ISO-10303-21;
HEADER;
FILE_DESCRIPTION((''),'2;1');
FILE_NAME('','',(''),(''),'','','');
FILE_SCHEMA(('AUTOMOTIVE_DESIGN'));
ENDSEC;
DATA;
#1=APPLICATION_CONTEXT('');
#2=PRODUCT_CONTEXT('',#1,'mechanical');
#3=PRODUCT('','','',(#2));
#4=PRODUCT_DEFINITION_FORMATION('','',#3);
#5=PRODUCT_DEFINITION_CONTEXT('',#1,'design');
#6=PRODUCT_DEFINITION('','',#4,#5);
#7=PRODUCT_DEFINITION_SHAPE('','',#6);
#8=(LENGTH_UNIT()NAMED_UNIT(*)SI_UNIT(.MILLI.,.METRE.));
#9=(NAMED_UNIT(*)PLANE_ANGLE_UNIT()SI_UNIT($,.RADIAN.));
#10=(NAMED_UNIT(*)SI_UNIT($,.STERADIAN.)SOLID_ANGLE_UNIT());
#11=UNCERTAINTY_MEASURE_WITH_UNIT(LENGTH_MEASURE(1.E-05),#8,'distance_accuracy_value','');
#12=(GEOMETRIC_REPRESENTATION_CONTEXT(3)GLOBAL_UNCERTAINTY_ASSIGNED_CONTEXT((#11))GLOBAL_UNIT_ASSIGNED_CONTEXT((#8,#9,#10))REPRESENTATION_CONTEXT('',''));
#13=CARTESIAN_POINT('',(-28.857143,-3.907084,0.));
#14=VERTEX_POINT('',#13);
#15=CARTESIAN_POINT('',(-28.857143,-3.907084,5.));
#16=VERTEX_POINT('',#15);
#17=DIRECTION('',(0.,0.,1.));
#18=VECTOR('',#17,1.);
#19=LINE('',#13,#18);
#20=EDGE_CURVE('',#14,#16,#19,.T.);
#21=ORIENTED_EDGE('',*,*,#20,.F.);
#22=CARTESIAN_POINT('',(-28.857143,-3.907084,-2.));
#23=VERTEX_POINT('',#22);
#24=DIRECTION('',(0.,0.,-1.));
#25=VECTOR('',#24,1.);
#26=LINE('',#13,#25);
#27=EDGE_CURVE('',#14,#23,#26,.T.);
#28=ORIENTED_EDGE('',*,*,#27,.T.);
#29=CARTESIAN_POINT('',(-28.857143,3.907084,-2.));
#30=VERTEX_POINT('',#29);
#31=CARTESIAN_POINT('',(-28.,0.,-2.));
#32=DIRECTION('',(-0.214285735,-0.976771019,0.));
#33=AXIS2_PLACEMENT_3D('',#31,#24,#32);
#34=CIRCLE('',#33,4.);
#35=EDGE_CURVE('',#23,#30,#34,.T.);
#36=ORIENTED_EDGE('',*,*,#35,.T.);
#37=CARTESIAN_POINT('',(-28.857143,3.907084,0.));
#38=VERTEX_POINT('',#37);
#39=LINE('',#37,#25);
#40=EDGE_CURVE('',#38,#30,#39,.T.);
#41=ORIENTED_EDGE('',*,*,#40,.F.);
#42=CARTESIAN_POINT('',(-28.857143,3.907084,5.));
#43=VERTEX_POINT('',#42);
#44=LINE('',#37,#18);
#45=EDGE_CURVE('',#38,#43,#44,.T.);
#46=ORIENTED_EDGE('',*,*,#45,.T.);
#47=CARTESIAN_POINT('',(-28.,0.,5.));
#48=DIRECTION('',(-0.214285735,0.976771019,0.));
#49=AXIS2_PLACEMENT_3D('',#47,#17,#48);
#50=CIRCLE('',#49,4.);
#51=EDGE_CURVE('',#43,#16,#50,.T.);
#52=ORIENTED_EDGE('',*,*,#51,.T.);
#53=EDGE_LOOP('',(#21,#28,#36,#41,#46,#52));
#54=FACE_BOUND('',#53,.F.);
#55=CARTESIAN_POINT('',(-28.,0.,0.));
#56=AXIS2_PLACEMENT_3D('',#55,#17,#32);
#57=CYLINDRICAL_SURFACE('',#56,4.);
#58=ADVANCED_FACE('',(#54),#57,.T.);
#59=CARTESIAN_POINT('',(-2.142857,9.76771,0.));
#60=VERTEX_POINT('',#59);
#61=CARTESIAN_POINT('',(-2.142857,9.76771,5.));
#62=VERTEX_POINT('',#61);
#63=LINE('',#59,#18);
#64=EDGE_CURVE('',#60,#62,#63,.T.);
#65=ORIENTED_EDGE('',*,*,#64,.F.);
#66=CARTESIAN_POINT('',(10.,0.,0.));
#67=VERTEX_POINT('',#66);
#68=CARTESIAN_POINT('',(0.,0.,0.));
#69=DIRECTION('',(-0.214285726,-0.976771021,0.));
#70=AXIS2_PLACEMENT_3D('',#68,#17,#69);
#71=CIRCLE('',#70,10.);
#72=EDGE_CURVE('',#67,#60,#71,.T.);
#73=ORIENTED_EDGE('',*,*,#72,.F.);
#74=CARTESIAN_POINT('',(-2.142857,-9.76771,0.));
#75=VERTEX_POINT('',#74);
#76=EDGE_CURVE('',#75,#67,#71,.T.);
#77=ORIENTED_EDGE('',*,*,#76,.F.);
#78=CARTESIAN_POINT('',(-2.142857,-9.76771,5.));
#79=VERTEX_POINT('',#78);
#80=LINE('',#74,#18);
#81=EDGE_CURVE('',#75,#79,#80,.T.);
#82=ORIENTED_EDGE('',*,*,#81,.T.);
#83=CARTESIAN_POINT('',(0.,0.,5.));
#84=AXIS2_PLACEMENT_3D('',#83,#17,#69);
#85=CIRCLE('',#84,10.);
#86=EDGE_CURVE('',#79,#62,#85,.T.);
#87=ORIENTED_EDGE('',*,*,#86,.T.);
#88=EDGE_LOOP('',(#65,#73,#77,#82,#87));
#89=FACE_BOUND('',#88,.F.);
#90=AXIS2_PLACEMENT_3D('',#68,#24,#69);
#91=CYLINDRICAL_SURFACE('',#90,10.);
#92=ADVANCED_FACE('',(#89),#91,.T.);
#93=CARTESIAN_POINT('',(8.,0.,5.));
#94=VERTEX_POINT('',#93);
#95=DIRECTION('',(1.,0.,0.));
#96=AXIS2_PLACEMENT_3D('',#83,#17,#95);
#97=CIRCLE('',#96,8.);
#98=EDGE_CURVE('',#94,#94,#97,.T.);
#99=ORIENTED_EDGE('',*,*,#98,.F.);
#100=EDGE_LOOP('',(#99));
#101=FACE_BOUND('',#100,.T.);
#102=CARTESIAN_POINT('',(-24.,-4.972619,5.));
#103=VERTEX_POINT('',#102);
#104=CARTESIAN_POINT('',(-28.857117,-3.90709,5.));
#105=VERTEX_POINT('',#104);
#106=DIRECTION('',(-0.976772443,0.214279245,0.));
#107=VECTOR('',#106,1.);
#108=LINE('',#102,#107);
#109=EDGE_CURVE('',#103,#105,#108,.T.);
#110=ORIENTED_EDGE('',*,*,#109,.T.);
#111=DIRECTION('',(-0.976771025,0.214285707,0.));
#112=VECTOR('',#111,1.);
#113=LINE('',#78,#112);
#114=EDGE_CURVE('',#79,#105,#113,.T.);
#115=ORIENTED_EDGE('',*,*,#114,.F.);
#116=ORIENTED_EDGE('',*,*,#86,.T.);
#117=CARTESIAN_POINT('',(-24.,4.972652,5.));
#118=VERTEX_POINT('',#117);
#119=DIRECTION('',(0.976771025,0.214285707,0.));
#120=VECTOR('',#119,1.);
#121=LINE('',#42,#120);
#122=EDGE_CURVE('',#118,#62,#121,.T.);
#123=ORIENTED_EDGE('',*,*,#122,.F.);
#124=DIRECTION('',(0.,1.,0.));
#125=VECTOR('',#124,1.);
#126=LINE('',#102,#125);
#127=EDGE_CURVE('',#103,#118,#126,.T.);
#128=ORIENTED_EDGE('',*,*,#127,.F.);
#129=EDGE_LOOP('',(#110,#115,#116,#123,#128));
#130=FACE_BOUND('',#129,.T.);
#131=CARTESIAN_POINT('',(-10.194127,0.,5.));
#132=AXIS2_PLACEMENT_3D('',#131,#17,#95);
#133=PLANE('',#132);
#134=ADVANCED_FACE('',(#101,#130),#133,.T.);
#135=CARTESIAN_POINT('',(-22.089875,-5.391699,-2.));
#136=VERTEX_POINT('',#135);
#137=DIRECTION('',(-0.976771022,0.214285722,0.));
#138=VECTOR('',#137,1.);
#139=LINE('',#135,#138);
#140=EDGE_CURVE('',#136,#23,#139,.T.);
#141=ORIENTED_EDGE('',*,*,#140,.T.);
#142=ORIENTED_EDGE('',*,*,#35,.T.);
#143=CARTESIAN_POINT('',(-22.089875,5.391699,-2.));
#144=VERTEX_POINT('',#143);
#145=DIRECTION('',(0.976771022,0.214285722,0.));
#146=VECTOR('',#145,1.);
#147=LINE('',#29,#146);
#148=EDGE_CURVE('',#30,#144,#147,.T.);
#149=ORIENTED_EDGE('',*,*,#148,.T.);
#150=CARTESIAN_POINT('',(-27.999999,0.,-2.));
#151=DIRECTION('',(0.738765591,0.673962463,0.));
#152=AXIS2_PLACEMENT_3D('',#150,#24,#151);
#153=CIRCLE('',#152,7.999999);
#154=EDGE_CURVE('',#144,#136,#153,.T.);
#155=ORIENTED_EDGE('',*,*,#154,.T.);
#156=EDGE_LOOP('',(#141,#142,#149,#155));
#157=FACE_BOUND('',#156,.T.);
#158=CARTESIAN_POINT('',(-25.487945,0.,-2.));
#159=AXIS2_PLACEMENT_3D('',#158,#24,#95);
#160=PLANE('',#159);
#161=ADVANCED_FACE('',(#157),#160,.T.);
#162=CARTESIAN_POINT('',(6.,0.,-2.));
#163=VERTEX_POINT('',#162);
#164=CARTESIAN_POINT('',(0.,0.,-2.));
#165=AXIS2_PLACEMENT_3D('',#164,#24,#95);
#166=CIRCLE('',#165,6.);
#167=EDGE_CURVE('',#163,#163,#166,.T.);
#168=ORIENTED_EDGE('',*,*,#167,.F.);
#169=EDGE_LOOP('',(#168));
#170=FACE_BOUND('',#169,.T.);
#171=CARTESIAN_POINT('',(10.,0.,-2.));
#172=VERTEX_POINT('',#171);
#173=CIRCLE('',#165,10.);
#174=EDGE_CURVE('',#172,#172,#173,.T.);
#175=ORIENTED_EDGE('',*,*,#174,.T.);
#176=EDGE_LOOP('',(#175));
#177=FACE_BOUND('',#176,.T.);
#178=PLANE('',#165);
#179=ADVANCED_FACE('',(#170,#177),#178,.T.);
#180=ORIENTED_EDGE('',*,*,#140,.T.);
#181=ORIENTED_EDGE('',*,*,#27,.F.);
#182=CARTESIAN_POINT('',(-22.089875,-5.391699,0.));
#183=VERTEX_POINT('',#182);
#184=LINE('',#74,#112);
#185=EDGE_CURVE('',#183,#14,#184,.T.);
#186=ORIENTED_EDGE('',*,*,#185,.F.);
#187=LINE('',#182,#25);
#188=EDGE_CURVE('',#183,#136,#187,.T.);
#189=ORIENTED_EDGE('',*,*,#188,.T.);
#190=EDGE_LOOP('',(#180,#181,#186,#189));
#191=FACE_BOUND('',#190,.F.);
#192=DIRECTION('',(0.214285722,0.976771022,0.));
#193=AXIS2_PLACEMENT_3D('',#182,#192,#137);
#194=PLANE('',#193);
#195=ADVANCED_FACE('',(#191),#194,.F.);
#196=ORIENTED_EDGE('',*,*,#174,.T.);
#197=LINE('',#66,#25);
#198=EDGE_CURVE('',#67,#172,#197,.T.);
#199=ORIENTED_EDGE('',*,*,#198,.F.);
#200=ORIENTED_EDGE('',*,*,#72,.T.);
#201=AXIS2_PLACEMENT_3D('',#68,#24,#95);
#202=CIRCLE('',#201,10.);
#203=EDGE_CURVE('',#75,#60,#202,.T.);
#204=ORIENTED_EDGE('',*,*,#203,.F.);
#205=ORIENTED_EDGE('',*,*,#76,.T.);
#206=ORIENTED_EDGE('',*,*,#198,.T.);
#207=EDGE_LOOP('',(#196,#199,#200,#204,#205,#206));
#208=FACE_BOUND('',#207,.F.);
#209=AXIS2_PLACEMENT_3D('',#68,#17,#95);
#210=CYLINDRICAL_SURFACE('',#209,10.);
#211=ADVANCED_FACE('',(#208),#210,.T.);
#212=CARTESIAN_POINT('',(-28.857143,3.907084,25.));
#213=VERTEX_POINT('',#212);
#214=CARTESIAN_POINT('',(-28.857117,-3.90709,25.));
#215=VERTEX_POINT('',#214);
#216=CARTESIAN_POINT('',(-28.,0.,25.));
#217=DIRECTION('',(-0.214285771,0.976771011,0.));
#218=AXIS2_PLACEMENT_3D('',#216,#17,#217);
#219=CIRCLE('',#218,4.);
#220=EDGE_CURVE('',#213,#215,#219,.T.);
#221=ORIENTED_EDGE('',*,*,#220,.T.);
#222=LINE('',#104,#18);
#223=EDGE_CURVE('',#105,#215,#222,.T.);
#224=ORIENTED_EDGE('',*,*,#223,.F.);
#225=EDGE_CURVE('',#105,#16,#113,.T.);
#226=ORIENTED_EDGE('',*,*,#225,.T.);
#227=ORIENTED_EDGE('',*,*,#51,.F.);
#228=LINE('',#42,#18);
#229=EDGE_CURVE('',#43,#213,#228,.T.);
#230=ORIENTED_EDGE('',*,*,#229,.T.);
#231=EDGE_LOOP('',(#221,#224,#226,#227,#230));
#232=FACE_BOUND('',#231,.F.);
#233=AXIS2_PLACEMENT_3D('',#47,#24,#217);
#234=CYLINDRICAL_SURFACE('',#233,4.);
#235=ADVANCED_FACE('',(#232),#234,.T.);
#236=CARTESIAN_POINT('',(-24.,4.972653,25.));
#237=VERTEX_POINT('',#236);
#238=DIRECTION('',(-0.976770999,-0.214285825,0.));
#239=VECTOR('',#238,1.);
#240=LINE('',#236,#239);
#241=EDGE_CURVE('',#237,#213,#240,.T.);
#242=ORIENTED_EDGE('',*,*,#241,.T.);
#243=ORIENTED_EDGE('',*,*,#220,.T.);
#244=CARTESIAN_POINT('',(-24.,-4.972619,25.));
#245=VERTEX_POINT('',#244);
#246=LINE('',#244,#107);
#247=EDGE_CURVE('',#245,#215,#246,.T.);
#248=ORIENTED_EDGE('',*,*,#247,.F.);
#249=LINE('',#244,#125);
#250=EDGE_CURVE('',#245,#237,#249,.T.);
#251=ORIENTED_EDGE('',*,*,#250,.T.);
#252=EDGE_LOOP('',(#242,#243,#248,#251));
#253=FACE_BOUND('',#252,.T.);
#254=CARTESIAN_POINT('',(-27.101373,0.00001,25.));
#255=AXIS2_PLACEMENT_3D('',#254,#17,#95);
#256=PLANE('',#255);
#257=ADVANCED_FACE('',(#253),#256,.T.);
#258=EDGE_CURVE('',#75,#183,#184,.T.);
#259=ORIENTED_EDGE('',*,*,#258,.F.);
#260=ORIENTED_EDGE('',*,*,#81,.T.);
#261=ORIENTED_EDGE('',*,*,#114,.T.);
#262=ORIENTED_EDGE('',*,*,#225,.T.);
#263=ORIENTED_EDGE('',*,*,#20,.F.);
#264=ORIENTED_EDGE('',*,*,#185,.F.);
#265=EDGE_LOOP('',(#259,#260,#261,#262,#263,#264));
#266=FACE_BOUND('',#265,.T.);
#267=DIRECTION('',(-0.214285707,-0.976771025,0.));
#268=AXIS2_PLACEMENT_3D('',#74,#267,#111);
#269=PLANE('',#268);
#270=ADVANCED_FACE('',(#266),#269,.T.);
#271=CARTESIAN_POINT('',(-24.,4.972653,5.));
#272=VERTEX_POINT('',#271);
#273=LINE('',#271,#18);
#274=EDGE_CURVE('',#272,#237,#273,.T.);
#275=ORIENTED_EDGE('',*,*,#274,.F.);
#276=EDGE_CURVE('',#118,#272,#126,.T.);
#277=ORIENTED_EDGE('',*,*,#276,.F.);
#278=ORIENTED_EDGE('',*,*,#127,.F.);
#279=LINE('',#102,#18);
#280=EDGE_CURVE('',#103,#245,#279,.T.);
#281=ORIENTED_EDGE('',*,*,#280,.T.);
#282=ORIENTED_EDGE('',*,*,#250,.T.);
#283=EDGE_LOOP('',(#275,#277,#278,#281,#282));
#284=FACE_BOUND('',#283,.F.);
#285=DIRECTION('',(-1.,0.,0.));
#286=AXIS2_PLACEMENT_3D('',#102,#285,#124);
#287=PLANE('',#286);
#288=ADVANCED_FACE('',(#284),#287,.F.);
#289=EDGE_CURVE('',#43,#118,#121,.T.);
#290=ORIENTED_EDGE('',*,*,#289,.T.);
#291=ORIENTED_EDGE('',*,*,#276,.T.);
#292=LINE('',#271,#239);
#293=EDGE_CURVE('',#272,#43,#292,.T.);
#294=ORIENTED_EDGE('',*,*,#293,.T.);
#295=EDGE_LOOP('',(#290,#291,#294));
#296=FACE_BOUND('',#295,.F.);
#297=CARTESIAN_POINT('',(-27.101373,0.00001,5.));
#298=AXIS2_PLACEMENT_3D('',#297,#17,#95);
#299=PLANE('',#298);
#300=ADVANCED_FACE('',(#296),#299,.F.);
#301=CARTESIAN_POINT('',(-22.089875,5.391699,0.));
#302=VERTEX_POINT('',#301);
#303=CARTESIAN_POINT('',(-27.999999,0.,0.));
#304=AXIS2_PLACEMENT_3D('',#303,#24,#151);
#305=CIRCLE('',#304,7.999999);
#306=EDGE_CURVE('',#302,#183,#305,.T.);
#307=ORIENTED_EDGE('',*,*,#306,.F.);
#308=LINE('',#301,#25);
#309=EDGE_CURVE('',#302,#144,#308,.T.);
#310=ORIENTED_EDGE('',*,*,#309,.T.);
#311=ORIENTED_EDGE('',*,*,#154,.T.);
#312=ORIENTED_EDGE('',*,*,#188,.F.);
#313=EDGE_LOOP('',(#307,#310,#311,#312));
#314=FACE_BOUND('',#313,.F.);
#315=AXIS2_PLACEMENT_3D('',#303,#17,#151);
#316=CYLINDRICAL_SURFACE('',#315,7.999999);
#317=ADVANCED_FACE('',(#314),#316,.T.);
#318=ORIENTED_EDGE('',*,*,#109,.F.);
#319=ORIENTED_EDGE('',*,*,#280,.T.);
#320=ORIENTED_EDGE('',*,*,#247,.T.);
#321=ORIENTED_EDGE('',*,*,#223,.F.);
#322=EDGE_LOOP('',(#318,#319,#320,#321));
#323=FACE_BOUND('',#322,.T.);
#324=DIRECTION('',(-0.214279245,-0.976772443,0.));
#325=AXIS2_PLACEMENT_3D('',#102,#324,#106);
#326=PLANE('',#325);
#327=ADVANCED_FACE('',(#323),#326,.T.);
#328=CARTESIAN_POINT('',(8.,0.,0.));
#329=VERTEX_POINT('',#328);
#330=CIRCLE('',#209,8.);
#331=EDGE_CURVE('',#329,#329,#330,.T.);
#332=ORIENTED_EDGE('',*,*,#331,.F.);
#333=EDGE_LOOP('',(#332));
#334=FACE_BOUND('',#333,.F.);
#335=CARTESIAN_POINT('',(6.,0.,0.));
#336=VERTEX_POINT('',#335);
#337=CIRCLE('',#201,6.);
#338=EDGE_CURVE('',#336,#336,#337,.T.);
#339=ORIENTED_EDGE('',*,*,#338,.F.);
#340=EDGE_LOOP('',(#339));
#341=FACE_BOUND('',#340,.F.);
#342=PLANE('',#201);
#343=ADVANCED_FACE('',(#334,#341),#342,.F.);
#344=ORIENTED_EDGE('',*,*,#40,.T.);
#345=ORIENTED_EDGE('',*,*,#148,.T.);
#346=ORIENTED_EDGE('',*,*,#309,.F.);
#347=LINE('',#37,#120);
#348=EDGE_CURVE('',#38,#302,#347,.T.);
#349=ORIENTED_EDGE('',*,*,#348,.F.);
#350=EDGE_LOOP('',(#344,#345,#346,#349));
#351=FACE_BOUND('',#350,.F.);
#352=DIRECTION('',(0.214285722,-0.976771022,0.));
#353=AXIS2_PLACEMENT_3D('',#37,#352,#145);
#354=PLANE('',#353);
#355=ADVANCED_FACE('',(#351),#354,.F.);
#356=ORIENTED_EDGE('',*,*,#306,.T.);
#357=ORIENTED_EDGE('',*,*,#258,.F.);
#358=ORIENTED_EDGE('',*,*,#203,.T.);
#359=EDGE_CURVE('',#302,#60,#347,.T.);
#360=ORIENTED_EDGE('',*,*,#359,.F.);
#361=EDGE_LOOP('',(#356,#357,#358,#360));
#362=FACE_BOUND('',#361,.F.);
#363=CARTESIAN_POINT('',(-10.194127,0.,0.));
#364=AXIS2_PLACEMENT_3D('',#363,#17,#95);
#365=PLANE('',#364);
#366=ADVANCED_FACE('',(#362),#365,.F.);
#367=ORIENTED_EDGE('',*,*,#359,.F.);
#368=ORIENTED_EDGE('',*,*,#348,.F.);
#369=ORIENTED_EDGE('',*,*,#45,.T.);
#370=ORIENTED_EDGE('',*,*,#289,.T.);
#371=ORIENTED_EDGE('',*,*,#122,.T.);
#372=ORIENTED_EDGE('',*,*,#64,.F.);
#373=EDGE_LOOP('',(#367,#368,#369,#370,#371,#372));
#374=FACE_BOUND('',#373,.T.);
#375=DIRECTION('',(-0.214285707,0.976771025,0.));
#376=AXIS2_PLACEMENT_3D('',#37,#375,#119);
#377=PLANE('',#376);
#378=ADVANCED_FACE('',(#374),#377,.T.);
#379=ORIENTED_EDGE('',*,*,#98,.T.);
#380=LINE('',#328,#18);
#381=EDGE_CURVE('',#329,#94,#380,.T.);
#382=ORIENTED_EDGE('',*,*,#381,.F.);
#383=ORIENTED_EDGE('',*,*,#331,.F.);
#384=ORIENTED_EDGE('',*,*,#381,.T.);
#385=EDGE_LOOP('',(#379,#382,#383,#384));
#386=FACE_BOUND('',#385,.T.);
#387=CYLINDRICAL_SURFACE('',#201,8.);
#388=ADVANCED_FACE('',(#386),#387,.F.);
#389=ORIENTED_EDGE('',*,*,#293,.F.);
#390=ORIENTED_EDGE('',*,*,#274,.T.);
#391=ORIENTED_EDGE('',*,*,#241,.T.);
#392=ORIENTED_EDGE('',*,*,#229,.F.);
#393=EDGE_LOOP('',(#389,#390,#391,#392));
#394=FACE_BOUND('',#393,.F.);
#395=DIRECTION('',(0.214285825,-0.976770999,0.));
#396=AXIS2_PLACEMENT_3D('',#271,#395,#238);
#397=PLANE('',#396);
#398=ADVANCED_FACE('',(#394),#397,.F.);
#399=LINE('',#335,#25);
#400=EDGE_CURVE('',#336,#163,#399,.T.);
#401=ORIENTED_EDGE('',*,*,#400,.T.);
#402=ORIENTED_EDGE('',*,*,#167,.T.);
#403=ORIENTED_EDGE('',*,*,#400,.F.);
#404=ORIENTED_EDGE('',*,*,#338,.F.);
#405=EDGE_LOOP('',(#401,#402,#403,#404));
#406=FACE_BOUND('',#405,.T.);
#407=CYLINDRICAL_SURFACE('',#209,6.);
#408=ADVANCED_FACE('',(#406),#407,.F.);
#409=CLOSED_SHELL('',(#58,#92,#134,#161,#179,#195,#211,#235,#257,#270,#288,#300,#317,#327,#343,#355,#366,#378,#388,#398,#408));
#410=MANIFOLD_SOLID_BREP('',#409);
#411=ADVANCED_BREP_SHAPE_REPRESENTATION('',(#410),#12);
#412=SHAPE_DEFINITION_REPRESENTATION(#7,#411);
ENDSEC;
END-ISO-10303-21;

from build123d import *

# Parameters (mm, degrees)
SKETCH_R      = 8
PAD_DEPTH     = 5
PAD001_DEPTH  = 20
SKETCH002_R   = 10
SKETCH002_R_2 = 6
PAD002_DEPTH  = 2
PAD003_DEPTH  = 2


with BuildPart() as part:
    # Sketch → Pad (new body)
    with BuildSketch(Plane.XY):
        with BuildLine():
            ThreePointArc((-2.142857, -9.76771), (10, 0), (-2.142857, 9.76771))
            Line((-28.857143, 3.907084), (-2.142857, 9.76771))
            ThreePointArc((-28.857143, 3.907084), (-32, 0), (-28.857143, -3.907084))
            Line((-2.142857, -9.76771), (-28.857143, -3.907084))
        make_face()
        Circle(SKETCH_R, mode=Mode.SUBTRACT)
    extrude(amount=PAD_DEPTH)

    # Sketch001 (on Face7 of Pad) → Pad001 (join)
    with BuildSketch(Plane.XY.offset(5)):
        with BuildLine():
            ThreePointArc((-28.857143, 3.907084), (-32, -1.3e-05), (-28.857117, -3.90709))
            Line((-24, -4.972619), (-28.857117, -3.90709))
            Line((-24, -4.972619), (-24, 4.972653))
            Line((-24, 4.972653), (-28.857143, 3.907084))
        make_face()
    extrude(amount=PAD001_DEPTH)

    # Sketch002 → Pad002 (join)
    with BuildSketch(Plane(origin=(0, 0, 0), x_dir=(1, 0, 0), z_dir=(0, 0, -1))):
        Circle(SKETCH002_R)
        Circle(SKETCH002_R_2, mode=Mode.SUBTRACT)
    extrude(amount=PAD002_DEPTH)

    # Sketch003 (on Face7 of Pad002) → Pad003 (join)
    with BuildSketch(Plane(origin=(0, 0, 0), x_dir=(1, 0, 0), z_dir=(0, 0, -1))):
        with BuildLine():
            ThreePointArc((-28.857143, 3.907084), (-32, 0), (-28.857143, -3.907084))
            Line((-28.857143, -3.907084), (-22.089875, -5.391699))
            ThreePointArc((-22.089875, -5.391699), (-20, 0), (-22.089875, 5.391699))
            Line((-22.089875, 5.391699), (-28.857143, 3.907084))
        make_face()
    extrude(amount=PAD003_DEPTH)


solid = part.part
